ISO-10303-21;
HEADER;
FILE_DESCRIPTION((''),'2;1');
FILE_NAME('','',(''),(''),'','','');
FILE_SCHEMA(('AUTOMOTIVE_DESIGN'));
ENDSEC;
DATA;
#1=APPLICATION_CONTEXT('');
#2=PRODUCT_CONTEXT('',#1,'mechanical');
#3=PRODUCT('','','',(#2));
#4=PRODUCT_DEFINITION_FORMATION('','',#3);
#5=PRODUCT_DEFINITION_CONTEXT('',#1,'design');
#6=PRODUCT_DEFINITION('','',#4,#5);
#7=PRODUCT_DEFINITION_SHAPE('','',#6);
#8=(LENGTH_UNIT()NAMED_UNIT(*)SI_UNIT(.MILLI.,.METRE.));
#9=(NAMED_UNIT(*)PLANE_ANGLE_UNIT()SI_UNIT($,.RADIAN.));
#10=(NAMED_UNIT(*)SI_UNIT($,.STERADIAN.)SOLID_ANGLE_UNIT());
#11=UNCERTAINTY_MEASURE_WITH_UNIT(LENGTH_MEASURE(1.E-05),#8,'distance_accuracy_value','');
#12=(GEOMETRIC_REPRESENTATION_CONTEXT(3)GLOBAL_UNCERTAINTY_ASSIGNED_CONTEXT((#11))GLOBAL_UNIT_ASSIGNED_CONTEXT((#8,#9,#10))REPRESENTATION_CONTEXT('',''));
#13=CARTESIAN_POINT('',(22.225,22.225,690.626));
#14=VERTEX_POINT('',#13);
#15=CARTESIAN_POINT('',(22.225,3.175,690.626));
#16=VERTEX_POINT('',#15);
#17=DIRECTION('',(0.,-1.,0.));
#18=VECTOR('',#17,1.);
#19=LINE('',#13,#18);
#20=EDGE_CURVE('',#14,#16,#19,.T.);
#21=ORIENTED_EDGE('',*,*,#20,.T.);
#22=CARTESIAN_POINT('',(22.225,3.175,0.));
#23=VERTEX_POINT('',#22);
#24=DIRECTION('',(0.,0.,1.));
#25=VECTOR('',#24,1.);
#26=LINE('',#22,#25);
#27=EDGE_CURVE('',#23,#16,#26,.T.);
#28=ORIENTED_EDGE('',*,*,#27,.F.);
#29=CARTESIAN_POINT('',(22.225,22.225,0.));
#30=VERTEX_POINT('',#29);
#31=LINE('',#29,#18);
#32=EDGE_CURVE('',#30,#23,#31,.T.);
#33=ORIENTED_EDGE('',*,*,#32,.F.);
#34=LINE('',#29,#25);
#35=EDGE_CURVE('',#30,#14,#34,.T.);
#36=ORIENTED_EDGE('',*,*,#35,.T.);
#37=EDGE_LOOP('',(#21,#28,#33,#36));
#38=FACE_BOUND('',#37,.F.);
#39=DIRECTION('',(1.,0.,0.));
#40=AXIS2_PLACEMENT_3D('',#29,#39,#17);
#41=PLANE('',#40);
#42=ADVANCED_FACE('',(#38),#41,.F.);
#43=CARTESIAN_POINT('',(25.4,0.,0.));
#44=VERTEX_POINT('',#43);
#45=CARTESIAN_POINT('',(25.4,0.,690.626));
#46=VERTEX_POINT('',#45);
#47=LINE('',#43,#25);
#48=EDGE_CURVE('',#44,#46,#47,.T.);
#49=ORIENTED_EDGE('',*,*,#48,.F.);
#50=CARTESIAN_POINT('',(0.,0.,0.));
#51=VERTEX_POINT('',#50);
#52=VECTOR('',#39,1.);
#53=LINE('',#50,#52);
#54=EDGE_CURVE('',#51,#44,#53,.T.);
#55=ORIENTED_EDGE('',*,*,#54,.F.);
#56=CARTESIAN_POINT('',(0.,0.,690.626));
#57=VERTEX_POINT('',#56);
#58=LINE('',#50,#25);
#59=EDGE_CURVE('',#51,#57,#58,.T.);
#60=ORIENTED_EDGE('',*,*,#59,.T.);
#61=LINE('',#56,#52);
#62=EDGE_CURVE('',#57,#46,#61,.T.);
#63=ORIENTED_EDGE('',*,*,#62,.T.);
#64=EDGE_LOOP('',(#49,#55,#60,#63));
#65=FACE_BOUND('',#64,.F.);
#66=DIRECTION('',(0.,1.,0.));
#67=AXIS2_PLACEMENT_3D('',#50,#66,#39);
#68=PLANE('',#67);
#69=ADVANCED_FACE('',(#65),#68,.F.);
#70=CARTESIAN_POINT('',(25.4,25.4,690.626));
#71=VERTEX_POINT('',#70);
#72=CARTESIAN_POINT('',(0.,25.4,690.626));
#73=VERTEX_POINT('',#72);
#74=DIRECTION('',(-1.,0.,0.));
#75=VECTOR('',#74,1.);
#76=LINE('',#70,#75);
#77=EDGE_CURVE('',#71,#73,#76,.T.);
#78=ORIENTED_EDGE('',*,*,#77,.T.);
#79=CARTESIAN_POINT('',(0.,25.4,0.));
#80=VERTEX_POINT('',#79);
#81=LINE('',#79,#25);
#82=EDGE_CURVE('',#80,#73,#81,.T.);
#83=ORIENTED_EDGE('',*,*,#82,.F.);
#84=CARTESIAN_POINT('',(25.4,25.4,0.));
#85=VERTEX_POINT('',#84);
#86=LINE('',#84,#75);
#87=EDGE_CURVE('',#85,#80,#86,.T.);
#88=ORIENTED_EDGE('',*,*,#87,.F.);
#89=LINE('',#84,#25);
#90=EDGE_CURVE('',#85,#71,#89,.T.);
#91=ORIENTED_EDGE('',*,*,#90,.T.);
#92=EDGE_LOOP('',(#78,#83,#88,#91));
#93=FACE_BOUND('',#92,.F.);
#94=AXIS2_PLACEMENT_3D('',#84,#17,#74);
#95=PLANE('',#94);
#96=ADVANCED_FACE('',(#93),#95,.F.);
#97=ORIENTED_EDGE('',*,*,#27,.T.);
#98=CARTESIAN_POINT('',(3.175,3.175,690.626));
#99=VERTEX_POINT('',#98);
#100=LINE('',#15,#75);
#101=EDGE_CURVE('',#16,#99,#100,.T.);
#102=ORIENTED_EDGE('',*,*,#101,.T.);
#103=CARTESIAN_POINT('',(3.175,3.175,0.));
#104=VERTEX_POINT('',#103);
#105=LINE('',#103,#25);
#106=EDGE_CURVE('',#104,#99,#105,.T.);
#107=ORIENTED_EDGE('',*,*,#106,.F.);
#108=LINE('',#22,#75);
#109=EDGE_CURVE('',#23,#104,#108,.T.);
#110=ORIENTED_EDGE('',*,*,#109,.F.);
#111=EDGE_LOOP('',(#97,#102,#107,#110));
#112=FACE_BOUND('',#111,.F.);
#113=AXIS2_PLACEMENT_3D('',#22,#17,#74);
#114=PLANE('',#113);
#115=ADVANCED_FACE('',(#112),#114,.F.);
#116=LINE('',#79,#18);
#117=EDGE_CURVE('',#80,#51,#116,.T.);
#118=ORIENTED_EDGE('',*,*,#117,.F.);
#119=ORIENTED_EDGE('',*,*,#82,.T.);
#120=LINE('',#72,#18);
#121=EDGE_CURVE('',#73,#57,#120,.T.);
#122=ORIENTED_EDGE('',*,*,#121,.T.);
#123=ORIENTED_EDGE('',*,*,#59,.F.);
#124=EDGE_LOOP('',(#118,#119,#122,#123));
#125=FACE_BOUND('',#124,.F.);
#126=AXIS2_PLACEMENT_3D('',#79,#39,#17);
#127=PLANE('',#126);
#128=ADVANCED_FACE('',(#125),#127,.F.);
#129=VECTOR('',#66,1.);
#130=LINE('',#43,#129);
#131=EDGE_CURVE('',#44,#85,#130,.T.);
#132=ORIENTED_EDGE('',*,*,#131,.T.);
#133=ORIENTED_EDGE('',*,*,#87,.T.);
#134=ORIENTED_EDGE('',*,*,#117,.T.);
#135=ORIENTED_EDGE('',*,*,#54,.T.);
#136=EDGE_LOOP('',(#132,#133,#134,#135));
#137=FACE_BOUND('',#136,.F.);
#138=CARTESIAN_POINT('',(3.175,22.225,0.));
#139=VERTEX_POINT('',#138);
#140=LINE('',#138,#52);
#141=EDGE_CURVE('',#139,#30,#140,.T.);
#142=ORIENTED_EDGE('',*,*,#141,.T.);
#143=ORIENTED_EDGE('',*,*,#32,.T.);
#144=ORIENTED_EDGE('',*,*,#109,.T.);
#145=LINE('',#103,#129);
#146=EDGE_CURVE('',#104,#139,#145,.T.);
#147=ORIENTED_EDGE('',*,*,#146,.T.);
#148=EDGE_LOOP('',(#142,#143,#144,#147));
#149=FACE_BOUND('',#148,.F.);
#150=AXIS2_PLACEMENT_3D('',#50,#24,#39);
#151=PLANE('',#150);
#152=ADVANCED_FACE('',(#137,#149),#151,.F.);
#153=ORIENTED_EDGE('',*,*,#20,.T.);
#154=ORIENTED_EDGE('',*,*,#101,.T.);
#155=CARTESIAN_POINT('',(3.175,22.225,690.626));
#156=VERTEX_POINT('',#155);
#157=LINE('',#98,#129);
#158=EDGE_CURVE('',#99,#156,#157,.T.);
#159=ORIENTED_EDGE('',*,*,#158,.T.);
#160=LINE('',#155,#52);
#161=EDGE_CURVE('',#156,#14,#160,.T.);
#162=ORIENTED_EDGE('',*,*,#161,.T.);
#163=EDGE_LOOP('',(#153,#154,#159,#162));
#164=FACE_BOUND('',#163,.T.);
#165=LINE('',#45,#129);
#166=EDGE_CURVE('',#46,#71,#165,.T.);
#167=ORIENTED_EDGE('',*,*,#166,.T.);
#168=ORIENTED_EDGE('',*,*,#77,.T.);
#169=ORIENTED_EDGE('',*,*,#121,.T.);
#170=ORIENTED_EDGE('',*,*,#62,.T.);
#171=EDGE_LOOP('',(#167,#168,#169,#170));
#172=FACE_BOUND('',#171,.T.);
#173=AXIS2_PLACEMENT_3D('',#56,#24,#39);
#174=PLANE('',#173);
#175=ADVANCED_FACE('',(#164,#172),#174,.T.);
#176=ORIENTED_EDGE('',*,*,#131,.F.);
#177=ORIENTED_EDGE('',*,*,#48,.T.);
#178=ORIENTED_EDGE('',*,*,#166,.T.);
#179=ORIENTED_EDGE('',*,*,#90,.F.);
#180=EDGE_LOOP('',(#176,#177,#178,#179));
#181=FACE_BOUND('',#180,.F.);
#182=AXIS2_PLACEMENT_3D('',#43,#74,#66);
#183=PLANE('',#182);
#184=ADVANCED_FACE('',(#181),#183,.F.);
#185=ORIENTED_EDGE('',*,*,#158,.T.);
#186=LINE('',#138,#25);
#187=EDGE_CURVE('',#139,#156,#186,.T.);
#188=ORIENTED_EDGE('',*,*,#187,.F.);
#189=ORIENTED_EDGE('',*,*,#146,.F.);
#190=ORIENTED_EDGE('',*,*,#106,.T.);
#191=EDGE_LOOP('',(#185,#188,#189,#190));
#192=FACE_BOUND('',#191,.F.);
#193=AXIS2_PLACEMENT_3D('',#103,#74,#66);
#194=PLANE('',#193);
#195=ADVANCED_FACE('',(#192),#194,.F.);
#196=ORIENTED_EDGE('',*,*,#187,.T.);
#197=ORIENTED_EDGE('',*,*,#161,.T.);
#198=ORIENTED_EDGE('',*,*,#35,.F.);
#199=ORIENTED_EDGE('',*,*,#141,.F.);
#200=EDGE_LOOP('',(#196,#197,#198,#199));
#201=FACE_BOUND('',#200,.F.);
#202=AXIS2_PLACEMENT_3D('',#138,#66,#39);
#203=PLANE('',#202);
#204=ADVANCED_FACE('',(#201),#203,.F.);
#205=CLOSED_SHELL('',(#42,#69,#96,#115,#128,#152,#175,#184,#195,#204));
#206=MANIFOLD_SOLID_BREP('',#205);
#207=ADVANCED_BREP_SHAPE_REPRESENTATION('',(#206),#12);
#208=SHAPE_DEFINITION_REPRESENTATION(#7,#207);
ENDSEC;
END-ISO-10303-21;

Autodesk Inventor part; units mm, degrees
ref_plane "YZ Plane" through (0, 0, 0) normal (1, 0, 0) x (0, 1, 0)
ref_plane "XZ Plane" through (0, 0, 0) normal (0, 1, 0) x (-1, 0, 0)
ref_plane "XY Plane" through (0, 0, 0) normal (0, 0, 1) x (1, 0, 0)
sketch "Sketch1" plane through (0, 0, 0) normal (0, 0, 1) x (1, 0, 0)
  line L0 (0, 0) -> (25.4, 0)
  line L1 (25.4, 0) -> (25.4, 25.4)
  line L2 (25.4, 25.4) -> (0, 25.4)
  line L3 (0, 25.4) -> (0, 0)
  line L4 (3.175, 22.225) -> (22.225, 22.225)
  line L5 (22.225, 22.225) -> (22.225, 3.175)
  line L6 (22.225, 3.175) -> (3.175, 3.175)
  line L7 (3.175, 3.175) -> (3.175, 22.225)
  dimension "d0" = 25.4
  dimension "d1" = 25.4
  dimension "d2" = 3.175
extrude "Extrusion1" add sketch "Sketch1" along normal blind 690.626
properties part number "crossBeam"
